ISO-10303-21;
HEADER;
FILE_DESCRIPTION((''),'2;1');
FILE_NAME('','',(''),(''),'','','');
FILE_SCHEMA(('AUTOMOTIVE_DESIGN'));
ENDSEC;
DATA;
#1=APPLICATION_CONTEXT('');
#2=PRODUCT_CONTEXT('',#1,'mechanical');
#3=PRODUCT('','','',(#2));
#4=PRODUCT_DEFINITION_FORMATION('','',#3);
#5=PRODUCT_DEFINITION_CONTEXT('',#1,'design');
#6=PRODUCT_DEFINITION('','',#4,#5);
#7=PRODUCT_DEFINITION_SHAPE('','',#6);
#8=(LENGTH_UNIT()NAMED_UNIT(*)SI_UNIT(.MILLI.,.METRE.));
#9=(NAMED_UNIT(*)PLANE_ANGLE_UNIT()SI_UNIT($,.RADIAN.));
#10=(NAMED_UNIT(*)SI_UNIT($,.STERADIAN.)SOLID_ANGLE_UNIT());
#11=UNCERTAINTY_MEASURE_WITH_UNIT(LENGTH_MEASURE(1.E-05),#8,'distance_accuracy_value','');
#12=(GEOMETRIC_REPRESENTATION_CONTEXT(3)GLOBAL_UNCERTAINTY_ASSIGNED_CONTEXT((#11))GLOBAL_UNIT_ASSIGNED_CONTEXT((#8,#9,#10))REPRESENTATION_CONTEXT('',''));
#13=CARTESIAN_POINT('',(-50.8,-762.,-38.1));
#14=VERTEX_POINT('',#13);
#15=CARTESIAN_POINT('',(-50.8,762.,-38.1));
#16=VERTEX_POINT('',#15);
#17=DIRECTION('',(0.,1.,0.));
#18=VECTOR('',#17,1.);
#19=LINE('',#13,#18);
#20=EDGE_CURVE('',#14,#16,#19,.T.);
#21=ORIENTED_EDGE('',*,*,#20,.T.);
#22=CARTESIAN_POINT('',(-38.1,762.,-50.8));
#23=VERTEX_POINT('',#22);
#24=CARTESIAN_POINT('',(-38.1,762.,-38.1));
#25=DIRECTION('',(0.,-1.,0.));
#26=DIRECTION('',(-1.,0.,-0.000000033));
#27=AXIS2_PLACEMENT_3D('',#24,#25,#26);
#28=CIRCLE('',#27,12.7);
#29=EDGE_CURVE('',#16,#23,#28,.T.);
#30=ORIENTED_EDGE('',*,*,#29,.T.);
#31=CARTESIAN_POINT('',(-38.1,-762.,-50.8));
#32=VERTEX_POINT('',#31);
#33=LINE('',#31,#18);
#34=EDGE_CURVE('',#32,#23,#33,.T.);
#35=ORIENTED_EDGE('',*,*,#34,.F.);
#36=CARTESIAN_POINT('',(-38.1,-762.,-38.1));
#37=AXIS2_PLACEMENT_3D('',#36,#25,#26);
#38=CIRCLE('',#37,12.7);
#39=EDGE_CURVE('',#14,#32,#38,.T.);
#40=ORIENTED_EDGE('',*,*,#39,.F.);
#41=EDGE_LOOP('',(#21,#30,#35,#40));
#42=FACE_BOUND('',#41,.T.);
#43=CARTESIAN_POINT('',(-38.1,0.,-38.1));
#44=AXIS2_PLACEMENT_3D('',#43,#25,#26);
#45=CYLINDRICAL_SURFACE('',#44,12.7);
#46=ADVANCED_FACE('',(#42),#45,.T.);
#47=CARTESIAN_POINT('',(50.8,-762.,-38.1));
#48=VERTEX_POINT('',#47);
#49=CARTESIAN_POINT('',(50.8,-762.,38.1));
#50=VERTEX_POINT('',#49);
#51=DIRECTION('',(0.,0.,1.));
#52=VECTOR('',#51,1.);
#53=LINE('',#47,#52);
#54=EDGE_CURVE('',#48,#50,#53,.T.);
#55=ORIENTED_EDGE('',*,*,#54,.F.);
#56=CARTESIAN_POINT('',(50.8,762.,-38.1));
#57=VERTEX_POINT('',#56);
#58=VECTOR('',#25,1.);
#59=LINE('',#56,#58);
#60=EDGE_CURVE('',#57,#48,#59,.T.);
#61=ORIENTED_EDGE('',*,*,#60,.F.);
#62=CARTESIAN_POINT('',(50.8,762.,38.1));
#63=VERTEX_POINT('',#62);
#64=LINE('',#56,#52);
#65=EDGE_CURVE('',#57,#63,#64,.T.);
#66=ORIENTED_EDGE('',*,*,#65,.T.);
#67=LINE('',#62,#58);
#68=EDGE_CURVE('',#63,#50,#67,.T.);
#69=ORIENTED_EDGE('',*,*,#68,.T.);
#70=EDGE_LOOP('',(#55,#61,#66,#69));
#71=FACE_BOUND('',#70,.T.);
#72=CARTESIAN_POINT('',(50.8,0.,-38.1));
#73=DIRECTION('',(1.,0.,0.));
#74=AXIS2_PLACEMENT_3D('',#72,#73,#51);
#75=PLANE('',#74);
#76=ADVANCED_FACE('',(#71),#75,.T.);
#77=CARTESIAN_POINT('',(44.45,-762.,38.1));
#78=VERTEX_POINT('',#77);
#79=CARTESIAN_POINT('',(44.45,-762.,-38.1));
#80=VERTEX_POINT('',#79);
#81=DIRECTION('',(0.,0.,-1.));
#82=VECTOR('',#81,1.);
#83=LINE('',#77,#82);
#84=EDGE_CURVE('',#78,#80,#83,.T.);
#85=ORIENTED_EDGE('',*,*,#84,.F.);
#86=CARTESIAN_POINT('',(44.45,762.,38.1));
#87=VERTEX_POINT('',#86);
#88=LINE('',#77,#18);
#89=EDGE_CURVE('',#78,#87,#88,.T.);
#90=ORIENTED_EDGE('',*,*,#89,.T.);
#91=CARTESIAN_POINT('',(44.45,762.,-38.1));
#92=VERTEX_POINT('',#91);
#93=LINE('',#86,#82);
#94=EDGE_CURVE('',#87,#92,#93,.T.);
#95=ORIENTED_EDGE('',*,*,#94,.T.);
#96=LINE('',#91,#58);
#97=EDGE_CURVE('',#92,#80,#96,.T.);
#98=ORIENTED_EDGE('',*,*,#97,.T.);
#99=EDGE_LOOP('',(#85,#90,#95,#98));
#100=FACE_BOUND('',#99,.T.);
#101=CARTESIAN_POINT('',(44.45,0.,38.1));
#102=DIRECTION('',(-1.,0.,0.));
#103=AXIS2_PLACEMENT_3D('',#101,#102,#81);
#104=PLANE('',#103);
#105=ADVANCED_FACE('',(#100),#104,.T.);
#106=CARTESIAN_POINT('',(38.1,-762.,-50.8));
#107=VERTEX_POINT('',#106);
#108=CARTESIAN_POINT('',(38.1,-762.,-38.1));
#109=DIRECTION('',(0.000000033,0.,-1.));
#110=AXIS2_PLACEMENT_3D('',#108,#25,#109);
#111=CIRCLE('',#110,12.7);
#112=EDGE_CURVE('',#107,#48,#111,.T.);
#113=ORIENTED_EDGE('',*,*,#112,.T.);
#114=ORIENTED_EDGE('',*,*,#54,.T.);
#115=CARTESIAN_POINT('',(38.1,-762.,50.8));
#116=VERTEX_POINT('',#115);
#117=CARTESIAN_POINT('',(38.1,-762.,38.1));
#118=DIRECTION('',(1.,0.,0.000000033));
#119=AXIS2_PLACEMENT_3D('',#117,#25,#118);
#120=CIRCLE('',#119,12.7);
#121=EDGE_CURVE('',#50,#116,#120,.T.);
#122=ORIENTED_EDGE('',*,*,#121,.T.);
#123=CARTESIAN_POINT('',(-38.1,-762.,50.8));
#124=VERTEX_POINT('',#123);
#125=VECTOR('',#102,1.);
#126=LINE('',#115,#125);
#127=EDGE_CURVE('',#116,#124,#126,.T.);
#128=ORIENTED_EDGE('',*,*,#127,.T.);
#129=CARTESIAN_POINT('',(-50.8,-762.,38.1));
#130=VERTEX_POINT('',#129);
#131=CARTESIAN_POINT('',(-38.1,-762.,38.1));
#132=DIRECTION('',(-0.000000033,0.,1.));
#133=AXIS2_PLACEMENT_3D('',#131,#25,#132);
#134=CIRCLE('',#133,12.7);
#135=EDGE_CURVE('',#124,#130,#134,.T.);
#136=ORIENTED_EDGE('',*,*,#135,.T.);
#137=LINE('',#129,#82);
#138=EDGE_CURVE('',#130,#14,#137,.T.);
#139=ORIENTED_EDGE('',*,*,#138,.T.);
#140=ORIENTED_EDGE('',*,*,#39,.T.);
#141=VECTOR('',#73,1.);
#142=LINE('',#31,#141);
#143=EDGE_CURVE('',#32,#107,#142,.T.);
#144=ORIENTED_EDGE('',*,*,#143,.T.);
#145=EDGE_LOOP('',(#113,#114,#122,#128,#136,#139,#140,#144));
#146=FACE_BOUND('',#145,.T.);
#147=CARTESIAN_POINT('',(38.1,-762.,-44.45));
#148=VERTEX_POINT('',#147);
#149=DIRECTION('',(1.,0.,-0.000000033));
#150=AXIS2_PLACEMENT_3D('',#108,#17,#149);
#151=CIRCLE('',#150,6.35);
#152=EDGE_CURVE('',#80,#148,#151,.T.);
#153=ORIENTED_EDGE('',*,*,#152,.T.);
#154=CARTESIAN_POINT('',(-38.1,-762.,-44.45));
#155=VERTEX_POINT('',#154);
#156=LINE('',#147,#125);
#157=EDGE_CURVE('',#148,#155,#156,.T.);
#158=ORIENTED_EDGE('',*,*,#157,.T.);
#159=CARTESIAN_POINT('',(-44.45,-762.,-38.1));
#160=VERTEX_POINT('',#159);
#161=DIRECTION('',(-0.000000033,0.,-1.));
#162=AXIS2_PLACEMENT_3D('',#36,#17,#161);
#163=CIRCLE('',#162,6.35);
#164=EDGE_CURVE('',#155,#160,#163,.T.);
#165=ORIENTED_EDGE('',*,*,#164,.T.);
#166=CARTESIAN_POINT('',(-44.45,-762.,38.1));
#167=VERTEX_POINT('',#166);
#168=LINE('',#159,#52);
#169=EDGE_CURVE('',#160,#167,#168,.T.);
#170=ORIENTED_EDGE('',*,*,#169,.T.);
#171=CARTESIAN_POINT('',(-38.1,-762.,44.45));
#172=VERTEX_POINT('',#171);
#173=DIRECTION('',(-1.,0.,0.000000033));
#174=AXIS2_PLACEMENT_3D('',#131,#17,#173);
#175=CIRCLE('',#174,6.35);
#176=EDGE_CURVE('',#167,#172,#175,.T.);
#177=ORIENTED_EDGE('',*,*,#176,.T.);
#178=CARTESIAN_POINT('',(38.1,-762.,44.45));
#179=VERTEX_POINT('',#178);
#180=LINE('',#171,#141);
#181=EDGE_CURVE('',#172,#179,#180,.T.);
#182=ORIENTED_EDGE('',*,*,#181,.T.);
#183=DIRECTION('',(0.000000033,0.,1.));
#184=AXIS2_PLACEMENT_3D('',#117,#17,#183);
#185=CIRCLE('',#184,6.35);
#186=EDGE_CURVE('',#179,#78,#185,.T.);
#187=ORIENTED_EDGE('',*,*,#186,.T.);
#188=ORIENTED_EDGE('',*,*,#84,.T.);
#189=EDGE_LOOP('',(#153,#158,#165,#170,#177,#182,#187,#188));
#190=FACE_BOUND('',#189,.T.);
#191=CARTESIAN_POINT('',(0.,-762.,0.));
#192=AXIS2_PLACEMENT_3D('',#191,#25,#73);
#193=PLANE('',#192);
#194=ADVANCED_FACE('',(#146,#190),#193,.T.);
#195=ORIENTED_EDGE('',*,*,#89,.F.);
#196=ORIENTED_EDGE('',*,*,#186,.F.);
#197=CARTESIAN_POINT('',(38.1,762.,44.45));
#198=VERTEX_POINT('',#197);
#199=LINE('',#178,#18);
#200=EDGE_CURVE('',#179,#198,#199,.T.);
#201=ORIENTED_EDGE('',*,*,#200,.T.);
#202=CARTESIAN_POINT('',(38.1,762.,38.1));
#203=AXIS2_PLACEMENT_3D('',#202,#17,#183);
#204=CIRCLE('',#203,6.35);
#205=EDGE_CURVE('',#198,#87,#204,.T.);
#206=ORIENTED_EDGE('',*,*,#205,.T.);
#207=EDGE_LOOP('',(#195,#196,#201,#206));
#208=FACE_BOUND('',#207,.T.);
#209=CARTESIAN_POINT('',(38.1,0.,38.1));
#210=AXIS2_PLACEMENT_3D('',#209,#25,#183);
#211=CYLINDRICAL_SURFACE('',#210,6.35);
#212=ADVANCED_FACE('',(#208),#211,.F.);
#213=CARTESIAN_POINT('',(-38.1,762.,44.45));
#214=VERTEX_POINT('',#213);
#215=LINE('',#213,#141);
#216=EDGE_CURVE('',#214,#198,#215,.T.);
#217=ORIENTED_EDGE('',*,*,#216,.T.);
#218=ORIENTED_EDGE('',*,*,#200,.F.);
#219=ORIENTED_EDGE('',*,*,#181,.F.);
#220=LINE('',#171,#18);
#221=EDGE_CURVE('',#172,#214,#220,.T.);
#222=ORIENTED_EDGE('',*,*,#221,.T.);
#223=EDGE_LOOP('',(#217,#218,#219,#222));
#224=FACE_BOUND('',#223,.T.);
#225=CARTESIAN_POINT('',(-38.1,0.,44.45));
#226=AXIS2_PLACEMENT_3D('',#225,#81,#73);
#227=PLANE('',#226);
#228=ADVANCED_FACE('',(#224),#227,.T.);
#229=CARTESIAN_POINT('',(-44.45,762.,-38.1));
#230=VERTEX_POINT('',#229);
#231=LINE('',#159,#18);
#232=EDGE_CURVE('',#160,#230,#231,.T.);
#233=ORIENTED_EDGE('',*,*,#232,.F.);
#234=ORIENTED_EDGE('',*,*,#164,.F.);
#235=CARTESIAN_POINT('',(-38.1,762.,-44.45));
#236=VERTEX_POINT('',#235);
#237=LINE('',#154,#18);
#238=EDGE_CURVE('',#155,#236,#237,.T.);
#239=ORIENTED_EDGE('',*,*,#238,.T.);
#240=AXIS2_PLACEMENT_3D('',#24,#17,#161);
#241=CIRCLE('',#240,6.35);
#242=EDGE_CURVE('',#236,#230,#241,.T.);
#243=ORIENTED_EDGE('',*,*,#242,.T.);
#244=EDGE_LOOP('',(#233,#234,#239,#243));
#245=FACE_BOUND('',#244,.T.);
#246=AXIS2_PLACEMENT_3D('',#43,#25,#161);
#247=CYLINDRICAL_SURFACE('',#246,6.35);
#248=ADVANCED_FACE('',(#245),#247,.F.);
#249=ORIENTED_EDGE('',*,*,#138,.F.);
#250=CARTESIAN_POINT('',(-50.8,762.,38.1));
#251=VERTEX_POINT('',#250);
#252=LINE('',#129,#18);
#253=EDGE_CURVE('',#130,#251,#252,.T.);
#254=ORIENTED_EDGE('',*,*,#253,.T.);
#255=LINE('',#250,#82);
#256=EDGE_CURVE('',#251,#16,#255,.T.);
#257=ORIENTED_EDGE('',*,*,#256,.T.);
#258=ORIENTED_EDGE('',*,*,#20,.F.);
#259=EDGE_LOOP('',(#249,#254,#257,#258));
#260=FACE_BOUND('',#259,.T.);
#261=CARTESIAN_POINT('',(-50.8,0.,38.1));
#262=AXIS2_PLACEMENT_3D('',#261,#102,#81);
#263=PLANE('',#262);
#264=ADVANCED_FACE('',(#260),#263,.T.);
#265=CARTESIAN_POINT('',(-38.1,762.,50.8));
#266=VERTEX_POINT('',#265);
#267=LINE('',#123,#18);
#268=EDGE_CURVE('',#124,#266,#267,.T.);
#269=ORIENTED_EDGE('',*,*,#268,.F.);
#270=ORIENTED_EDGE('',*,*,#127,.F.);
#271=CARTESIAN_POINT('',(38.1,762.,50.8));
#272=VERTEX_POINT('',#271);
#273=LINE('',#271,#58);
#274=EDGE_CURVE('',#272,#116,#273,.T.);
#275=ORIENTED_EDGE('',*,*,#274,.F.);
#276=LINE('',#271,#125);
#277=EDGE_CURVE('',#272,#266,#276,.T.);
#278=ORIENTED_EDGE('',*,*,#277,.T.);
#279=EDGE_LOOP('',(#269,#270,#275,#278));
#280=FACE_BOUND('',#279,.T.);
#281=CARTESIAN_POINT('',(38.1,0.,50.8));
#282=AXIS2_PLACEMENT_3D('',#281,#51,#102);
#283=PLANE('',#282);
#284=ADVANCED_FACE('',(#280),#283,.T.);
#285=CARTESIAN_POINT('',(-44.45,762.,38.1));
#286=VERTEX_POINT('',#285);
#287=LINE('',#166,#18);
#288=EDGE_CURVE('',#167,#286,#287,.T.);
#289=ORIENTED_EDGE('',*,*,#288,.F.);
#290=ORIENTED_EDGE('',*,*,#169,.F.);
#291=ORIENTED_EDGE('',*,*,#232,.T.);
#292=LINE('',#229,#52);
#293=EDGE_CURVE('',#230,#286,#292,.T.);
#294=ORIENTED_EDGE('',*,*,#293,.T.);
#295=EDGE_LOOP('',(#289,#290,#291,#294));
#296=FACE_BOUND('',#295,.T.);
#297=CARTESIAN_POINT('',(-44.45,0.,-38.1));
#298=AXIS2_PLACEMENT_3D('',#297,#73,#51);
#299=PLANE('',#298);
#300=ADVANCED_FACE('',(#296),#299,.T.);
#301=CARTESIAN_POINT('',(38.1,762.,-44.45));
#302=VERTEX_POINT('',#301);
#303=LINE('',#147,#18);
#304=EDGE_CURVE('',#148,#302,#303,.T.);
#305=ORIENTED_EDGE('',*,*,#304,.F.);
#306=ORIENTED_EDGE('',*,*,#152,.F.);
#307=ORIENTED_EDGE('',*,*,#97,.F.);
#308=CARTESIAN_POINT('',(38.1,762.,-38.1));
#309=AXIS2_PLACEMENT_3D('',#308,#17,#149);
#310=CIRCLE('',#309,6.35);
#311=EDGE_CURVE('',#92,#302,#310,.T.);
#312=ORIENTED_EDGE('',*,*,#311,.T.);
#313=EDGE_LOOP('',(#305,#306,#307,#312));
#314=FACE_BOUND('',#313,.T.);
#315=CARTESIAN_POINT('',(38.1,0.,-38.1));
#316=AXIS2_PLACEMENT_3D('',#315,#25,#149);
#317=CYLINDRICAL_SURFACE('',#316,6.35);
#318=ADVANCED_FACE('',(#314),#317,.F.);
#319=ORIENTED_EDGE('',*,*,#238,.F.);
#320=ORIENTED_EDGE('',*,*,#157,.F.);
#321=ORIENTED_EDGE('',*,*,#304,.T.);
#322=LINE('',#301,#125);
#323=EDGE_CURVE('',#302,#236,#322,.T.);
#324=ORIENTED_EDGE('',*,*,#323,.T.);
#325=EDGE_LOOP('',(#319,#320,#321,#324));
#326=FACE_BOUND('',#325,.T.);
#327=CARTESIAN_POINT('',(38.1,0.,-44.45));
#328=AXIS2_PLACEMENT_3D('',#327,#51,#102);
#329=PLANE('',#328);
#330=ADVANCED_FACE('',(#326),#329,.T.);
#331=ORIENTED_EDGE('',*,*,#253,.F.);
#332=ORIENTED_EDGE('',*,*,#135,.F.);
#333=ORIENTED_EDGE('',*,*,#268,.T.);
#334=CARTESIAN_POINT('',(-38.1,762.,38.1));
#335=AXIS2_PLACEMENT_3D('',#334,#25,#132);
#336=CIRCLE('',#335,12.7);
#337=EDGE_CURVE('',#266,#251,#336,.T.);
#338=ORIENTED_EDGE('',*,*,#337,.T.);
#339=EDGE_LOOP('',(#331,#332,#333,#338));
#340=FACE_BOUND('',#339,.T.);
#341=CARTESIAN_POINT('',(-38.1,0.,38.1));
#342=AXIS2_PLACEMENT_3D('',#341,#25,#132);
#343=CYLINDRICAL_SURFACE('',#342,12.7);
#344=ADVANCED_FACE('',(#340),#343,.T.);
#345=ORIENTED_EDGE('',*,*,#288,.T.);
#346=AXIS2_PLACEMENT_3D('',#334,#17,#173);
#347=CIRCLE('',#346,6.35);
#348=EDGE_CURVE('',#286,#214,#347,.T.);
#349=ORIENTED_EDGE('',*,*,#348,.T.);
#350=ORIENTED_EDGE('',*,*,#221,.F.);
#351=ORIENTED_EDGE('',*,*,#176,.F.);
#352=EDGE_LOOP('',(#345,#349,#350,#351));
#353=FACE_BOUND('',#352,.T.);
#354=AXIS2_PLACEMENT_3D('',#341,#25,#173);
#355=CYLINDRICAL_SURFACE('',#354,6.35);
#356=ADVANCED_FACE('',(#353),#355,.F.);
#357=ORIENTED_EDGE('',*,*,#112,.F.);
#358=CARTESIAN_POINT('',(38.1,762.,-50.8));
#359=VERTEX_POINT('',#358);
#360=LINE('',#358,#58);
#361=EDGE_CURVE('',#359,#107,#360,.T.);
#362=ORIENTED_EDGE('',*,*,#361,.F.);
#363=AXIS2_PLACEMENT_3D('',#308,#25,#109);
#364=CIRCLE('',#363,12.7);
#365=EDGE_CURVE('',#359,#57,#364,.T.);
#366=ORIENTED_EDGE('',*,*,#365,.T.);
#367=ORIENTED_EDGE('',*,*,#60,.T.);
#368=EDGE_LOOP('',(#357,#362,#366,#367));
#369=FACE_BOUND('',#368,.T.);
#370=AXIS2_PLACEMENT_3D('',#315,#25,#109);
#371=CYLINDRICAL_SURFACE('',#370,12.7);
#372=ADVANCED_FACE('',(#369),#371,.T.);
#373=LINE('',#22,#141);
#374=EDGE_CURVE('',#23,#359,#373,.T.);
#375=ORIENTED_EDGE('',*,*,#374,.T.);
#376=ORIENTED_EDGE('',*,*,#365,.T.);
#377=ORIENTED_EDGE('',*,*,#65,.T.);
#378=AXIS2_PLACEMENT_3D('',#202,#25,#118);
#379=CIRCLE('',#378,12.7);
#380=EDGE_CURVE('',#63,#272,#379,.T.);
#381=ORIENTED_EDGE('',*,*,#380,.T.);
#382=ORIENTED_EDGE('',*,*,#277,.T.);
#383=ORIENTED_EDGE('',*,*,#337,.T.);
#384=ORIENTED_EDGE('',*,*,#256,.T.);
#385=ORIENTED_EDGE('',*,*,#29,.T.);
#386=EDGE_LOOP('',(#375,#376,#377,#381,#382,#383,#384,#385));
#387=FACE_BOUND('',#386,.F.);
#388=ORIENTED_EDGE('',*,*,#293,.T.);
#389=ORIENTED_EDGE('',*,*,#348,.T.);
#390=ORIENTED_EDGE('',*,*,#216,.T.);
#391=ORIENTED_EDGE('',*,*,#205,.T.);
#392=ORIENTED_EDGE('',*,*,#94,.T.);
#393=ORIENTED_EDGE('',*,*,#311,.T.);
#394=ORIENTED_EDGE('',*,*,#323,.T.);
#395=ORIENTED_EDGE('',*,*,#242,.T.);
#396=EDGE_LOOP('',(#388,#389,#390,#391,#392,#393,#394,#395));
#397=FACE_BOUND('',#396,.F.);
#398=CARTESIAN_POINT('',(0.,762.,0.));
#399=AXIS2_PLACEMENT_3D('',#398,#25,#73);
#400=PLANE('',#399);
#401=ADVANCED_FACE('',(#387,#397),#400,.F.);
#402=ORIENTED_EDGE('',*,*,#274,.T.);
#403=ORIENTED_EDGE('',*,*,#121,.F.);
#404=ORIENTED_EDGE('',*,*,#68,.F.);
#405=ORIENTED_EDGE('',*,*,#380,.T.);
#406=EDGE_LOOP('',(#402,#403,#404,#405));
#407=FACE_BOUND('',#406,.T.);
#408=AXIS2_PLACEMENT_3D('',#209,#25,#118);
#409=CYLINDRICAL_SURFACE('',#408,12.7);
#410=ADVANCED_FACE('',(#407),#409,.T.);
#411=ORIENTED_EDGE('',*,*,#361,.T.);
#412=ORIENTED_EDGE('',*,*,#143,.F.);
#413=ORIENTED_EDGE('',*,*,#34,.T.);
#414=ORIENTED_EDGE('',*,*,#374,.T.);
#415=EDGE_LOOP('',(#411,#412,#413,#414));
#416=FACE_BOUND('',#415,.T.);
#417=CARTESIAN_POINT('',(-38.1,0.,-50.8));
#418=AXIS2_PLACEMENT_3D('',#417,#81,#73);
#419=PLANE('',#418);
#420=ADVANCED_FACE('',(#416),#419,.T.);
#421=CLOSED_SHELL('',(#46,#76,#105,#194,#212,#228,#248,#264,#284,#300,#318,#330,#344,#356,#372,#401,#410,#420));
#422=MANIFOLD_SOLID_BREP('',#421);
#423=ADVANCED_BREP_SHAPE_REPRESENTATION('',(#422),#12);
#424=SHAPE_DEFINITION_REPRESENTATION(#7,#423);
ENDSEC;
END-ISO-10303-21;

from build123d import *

# Parameters (mm, degrees)
F1_DEPTH = 762


with BuildPart() as f1:
    # F0 (on Front) → F1 (new body, symmetric)
    with BuildSketch(Plane.XZ):
        with BuildLine():
            Line((-38.1, -50.8), (38.1, -50.8))
            ThreePointArc((38.1, -50.8), (47.080256, -47.080256), (50.8, -38.1))
            Line((50.8, -38.1), (50.8, 38.1))
            ThreePointArc((50.8, 38.1), (47.080256, 47.080256), (38.1, 50.8))
            Line((38.1, 50.8), (-38.1, 50.8))
            ThreePointArc((-38.1, 50.8), (-47.080256, 47.080256), (-50.8, 38.1))
            Line((-50.8, 38.1), (-50.8, -38.1))
            ThreePointArc((-50.8, -38.1), (-47.080256, -47.080256), (-38.1, -50.8))
        make_face()
        with BuildLine():
            ThreePointArc((44.45, -38.1), (42.590128, -42.590128), (38.1, -44.45))
            Line((38.1, -44.45), (-38.1, -44.45))
            ThreePointArc((-38.1, -44.45), (-42.590128, -42.590128), (-44.45, -38.1))
            Line((-44.45, -38.1), (-44.45, 38.1))
            ThreePointArc((-44.45, 38.1), (-42.590128, 42.590128), (-38.1, 44.45))
            Line((-38.1, 44.45), (38.1, 44.45))
            ThreePointArc((38.1, 44.45), (42.590128, 42.590128), (44.45, 38.1))
            Line((44.45, 38.1), (44.45, -38.1))
        make_face(mode=Mode.SUBTRACT)
    extrude(amount=F1_DEPTH, both=True)


solid = f1.part
